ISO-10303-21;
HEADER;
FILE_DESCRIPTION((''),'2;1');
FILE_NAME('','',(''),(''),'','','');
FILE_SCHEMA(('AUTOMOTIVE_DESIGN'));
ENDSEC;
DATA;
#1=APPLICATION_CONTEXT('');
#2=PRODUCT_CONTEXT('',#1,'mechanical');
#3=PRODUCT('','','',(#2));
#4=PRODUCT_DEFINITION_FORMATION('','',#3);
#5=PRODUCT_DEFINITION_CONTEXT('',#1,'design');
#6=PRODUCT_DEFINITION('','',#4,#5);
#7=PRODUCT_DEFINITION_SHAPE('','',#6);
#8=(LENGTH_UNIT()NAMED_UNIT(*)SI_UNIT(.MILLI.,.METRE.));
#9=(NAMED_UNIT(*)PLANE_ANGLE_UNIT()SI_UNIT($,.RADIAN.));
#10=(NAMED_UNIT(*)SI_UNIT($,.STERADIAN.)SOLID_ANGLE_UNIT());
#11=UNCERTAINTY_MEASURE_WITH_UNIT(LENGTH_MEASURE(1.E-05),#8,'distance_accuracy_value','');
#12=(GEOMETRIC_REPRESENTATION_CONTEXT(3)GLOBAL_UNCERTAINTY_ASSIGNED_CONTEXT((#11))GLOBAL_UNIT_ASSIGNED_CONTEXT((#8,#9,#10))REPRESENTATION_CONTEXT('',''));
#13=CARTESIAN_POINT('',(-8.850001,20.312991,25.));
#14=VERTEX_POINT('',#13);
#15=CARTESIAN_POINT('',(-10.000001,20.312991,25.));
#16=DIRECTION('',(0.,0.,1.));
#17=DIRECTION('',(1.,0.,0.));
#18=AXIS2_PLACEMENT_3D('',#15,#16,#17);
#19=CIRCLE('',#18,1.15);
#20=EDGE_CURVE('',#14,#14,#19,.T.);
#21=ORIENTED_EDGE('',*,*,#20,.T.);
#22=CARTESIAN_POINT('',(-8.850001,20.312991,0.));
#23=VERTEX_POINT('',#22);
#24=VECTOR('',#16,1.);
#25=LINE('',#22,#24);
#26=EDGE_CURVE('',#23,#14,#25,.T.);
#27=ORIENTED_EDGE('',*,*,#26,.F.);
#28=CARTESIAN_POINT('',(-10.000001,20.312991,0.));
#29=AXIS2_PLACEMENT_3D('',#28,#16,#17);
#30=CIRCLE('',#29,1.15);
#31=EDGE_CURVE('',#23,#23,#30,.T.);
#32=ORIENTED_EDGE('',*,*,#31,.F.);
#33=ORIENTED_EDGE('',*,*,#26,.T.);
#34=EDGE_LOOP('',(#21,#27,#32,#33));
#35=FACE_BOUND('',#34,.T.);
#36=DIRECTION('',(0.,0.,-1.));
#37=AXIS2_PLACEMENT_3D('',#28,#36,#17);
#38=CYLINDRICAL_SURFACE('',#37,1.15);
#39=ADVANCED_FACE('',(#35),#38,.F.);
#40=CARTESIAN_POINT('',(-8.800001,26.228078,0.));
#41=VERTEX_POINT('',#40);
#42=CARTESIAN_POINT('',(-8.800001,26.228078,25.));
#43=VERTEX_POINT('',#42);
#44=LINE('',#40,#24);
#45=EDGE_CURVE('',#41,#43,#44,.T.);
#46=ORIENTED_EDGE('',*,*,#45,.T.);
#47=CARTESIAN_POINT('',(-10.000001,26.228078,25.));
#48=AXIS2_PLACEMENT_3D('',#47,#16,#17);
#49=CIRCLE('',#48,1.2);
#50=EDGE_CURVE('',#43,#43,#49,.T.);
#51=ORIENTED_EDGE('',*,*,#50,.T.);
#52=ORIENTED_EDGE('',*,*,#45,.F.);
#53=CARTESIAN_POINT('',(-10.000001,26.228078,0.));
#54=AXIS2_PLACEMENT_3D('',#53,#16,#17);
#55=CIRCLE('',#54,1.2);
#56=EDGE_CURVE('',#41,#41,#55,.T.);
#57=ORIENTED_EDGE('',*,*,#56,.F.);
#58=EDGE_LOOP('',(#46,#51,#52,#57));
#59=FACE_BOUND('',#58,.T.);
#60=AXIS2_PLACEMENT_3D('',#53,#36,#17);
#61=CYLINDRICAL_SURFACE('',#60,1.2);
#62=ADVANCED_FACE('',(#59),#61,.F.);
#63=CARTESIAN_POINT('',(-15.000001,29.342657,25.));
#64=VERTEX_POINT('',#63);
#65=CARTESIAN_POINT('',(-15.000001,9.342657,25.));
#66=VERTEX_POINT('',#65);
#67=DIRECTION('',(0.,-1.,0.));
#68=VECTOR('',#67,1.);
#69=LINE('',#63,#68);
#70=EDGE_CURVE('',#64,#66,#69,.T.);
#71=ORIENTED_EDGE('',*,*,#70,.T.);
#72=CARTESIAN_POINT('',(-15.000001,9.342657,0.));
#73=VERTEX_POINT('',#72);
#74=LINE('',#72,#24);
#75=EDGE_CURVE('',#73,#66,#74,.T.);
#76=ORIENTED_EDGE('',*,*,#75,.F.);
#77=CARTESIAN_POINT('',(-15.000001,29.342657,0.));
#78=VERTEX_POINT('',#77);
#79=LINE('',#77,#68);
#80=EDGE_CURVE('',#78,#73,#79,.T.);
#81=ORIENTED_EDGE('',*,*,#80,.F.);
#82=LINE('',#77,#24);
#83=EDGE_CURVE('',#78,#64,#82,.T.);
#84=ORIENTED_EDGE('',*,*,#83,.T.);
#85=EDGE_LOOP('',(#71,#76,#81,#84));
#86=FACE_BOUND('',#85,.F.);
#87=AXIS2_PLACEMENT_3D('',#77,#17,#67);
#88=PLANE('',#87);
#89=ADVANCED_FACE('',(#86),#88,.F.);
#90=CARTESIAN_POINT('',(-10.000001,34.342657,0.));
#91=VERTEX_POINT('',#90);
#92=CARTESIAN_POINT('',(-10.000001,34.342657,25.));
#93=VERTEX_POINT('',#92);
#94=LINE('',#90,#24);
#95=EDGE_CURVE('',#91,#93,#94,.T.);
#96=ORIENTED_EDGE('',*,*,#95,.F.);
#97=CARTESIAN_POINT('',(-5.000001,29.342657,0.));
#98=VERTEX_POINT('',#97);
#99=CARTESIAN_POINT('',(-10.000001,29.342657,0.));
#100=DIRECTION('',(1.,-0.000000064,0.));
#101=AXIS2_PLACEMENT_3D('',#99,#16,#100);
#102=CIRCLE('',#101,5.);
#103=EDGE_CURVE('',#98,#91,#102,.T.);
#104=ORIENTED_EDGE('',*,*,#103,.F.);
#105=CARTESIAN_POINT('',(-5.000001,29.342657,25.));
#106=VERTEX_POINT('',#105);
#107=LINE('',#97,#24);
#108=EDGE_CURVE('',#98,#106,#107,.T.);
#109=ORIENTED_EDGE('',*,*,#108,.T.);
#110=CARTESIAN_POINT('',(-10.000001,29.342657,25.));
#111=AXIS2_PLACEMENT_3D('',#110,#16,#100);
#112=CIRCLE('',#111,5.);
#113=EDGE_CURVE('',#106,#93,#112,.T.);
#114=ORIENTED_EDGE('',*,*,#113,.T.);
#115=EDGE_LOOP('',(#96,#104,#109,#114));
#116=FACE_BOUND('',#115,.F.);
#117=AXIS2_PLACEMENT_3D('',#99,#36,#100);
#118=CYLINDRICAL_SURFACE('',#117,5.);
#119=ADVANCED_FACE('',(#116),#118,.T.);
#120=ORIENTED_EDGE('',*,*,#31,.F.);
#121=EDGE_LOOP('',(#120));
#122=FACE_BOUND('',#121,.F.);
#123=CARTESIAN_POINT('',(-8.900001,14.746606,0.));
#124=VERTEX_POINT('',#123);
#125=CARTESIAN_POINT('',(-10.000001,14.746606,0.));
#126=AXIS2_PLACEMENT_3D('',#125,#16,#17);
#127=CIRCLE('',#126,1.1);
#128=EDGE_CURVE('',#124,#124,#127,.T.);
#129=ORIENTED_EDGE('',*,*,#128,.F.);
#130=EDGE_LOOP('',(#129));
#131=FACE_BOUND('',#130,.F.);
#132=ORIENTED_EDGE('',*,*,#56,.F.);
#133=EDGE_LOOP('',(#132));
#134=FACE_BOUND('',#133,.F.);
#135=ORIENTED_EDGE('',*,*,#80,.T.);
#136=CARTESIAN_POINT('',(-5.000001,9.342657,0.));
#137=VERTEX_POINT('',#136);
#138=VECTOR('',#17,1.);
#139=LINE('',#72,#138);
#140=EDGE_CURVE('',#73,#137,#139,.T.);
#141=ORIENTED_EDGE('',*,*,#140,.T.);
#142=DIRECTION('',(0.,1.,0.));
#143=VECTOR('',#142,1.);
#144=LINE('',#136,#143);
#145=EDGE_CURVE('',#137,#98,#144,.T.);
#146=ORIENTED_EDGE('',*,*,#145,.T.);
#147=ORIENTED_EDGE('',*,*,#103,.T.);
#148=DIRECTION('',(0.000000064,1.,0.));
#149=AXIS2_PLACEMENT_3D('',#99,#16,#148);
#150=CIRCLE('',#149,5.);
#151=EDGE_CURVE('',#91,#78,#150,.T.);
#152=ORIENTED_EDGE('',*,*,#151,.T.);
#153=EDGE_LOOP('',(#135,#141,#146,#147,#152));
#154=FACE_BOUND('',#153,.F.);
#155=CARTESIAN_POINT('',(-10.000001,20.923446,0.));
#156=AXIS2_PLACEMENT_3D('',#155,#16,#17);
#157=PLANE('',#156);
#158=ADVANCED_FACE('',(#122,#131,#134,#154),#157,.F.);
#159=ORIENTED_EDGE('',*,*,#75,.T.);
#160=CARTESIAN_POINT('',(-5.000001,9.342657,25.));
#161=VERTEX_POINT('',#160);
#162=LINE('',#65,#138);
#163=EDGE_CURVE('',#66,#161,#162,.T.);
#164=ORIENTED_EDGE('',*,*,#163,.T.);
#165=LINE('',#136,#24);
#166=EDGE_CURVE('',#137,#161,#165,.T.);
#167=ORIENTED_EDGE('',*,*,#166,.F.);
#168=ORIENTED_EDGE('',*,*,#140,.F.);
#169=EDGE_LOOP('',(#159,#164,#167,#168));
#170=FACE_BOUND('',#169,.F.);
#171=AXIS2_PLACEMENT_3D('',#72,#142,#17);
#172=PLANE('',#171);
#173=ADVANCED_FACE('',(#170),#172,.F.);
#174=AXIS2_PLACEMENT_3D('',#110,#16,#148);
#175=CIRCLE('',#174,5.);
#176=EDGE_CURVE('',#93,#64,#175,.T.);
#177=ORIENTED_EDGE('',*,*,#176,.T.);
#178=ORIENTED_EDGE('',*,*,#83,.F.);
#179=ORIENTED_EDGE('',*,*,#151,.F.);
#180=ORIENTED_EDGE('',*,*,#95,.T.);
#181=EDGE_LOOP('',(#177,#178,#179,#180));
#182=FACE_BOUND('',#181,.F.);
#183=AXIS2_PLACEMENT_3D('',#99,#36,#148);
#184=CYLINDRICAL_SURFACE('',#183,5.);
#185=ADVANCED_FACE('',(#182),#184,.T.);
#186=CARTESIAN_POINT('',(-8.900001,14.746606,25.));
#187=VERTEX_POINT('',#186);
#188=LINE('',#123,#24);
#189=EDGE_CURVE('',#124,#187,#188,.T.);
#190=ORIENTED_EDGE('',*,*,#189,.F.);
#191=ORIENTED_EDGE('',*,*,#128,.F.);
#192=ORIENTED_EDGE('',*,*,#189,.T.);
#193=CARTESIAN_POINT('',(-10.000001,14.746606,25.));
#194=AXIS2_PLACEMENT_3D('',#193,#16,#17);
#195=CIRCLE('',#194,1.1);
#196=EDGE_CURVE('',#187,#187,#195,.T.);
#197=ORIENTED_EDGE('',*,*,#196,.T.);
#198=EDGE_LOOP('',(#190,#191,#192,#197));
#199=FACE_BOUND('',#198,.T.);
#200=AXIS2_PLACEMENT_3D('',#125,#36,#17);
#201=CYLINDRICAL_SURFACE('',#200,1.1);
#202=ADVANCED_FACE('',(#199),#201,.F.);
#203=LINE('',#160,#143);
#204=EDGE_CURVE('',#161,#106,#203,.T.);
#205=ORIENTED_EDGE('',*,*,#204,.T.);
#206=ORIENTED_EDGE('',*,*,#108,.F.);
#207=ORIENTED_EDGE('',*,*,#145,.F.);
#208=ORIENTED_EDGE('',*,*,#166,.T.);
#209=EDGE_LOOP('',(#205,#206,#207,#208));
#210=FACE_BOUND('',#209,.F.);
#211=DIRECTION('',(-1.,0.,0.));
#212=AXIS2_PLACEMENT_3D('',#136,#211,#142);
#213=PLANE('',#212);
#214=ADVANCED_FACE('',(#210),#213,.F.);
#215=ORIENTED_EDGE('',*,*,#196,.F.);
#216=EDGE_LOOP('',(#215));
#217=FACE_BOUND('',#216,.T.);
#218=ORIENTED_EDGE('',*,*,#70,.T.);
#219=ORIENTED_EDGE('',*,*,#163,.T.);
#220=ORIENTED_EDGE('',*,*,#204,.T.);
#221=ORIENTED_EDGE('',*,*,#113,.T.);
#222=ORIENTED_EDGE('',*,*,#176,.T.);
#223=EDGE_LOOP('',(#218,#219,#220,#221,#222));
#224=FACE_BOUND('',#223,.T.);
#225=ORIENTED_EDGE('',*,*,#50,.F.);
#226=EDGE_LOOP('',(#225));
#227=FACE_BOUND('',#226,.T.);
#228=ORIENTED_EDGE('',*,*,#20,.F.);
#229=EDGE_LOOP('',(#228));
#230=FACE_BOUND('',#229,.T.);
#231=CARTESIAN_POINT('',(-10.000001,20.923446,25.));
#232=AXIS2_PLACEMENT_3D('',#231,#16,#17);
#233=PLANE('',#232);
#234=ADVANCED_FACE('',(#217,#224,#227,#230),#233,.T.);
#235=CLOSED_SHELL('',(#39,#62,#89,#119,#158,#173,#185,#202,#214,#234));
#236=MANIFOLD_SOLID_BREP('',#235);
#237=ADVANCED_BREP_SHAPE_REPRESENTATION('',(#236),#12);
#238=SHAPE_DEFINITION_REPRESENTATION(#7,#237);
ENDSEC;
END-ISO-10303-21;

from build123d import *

# Parameters (mm, degrees)
F0_R     = 1.1
F0_R_2   = 1.15
F0_R_3   = 1.2
F1_DEPTH = 25


with BuildPart() as f1:
    # F0 (on Top) → F1 (new body)
    with BuildSketch(Plane.XY):
        with BuildLine():
            Line((-15.000001, 29.342657), (-15.000001, 9.342657))
            Line((-15.000001, 9.342657), (-5.000001, 9.342657))
            Line((-5.000001, 9.342657), (-5.000001, 29.342657))
            ThreePointArc((-5.000001, 29.342657), (-6.464467, 32.878191), (-10.000001, 34.342657))
            ThreePointArc((-10.000001, 34.342657), (-13.535535, 32.878191), (-15.000001, 29.342657))
        make_face()
        with Locations((-10.000001, 14.746606)):
            Circle(F0_R, mode=Mode.SUBTRACT)
        with Locations((-10.000001, 20.312991)):
            Circle(F0_R_2, mode=Mode.SUBTRACT)
        with Locations((-10.000001, 26.228078)):
            Circle(F0_R_3, mode=Mode.SUBTRACT)
    extrude(amount=F1_DEPTH)


solid = f1.part
